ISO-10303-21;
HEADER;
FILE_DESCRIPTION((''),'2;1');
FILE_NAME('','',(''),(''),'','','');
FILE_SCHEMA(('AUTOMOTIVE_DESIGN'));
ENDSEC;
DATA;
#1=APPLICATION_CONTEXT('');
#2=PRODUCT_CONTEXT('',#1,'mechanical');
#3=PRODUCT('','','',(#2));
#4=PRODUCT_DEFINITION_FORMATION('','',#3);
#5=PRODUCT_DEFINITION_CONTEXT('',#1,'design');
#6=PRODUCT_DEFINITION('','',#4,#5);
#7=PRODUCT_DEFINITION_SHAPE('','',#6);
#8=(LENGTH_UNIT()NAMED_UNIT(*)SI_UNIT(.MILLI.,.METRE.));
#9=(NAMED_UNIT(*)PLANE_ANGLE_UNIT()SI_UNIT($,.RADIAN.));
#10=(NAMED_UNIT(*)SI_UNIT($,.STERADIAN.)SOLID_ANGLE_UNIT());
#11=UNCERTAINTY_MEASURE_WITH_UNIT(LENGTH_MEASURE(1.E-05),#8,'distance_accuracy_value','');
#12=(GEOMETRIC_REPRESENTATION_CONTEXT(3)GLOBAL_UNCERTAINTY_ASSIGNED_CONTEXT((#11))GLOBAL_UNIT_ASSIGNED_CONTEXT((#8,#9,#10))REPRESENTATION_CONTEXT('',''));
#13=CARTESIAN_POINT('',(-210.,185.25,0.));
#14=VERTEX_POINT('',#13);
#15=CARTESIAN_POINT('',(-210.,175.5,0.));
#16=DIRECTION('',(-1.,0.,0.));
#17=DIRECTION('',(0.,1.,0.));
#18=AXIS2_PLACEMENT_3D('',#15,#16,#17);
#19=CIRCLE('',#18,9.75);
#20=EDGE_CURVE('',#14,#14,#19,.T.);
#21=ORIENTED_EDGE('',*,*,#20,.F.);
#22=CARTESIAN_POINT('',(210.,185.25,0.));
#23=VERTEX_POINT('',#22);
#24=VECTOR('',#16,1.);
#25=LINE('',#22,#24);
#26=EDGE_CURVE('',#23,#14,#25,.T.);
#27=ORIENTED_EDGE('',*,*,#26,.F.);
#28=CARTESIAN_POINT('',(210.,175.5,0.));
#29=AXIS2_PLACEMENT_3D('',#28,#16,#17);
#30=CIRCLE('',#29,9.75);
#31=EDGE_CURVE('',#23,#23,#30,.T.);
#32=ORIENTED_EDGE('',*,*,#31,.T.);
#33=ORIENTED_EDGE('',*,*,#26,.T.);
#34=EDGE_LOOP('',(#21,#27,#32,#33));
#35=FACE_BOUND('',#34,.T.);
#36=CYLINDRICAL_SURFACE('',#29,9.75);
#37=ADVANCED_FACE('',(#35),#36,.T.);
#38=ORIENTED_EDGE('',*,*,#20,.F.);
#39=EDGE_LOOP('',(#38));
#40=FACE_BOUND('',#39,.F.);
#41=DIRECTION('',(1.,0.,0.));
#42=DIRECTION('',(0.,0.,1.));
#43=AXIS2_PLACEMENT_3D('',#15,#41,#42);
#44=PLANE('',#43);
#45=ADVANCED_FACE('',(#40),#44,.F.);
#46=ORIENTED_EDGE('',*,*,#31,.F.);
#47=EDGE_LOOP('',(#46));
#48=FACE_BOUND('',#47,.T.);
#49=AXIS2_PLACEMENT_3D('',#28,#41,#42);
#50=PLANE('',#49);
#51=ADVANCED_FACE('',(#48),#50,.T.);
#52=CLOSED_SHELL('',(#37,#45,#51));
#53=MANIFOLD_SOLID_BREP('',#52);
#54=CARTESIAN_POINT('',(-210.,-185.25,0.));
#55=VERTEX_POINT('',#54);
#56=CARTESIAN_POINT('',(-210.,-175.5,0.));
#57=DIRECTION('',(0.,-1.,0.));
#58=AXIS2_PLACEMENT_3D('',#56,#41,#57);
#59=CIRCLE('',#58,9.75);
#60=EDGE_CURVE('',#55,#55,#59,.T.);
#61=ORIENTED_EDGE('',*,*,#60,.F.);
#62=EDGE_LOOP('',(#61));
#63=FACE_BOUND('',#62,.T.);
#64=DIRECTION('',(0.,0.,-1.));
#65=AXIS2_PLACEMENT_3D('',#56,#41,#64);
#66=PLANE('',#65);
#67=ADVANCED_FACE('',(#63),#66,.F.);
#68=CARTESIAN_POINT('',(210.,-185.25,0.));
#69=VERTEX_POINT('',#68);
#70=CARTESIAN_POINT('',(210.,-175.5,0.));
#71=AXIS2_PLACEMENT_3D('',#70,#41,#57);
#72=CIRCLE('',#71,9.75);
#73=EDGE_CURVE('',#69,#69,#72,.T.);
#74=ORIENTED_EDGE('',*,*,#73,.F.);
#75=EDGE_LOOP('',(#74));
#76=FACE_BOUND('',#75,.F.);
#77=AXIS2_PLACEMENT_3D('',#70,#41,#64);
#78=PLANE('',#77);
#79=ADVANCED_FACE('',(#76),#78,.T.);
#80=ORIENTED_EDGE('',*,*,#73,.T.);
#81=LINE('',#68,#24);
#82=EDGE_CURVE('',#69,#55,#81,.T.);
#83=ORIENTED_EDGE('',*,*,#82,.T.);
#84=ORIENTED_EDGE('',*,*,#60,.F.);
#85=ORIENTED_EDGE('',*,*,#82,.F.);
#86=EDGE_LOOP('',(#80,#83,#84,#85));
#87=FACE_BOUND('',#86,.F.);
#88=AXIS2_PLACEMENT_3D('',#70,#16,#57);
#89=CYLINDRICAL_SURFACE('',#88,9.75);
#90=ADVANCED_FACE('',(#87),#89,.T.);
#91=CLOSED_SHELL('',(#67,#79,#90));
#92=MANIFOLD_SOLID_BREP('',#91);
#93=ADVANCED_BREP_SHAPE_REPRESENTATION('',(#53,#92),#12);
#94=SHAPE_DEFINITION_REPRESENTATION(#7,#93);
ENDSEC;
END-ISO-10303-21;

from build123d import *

# Parameters (mm, degrees)
F1_R = 9.75


with BuildPart() as f2:
    # F2: sweep along a path in F0
    with BuildLine(Plane.XY) as f2_path:
        Line((210, 175.5), (-210, 175.5))
    # F1 (on Right) → F2 (sweep)
    with BuildSketch(Plane.YZ):
        with Locations((175.5, 0)):
            Circle(F1_R)
    sweep(path=f2_path.line)


with BuildPart() as f3_1:
    # F3: instance of F2
    add(f2.part.mirror(Plane.XZ))


solid = Compound([f2.part, f3_1.part])
